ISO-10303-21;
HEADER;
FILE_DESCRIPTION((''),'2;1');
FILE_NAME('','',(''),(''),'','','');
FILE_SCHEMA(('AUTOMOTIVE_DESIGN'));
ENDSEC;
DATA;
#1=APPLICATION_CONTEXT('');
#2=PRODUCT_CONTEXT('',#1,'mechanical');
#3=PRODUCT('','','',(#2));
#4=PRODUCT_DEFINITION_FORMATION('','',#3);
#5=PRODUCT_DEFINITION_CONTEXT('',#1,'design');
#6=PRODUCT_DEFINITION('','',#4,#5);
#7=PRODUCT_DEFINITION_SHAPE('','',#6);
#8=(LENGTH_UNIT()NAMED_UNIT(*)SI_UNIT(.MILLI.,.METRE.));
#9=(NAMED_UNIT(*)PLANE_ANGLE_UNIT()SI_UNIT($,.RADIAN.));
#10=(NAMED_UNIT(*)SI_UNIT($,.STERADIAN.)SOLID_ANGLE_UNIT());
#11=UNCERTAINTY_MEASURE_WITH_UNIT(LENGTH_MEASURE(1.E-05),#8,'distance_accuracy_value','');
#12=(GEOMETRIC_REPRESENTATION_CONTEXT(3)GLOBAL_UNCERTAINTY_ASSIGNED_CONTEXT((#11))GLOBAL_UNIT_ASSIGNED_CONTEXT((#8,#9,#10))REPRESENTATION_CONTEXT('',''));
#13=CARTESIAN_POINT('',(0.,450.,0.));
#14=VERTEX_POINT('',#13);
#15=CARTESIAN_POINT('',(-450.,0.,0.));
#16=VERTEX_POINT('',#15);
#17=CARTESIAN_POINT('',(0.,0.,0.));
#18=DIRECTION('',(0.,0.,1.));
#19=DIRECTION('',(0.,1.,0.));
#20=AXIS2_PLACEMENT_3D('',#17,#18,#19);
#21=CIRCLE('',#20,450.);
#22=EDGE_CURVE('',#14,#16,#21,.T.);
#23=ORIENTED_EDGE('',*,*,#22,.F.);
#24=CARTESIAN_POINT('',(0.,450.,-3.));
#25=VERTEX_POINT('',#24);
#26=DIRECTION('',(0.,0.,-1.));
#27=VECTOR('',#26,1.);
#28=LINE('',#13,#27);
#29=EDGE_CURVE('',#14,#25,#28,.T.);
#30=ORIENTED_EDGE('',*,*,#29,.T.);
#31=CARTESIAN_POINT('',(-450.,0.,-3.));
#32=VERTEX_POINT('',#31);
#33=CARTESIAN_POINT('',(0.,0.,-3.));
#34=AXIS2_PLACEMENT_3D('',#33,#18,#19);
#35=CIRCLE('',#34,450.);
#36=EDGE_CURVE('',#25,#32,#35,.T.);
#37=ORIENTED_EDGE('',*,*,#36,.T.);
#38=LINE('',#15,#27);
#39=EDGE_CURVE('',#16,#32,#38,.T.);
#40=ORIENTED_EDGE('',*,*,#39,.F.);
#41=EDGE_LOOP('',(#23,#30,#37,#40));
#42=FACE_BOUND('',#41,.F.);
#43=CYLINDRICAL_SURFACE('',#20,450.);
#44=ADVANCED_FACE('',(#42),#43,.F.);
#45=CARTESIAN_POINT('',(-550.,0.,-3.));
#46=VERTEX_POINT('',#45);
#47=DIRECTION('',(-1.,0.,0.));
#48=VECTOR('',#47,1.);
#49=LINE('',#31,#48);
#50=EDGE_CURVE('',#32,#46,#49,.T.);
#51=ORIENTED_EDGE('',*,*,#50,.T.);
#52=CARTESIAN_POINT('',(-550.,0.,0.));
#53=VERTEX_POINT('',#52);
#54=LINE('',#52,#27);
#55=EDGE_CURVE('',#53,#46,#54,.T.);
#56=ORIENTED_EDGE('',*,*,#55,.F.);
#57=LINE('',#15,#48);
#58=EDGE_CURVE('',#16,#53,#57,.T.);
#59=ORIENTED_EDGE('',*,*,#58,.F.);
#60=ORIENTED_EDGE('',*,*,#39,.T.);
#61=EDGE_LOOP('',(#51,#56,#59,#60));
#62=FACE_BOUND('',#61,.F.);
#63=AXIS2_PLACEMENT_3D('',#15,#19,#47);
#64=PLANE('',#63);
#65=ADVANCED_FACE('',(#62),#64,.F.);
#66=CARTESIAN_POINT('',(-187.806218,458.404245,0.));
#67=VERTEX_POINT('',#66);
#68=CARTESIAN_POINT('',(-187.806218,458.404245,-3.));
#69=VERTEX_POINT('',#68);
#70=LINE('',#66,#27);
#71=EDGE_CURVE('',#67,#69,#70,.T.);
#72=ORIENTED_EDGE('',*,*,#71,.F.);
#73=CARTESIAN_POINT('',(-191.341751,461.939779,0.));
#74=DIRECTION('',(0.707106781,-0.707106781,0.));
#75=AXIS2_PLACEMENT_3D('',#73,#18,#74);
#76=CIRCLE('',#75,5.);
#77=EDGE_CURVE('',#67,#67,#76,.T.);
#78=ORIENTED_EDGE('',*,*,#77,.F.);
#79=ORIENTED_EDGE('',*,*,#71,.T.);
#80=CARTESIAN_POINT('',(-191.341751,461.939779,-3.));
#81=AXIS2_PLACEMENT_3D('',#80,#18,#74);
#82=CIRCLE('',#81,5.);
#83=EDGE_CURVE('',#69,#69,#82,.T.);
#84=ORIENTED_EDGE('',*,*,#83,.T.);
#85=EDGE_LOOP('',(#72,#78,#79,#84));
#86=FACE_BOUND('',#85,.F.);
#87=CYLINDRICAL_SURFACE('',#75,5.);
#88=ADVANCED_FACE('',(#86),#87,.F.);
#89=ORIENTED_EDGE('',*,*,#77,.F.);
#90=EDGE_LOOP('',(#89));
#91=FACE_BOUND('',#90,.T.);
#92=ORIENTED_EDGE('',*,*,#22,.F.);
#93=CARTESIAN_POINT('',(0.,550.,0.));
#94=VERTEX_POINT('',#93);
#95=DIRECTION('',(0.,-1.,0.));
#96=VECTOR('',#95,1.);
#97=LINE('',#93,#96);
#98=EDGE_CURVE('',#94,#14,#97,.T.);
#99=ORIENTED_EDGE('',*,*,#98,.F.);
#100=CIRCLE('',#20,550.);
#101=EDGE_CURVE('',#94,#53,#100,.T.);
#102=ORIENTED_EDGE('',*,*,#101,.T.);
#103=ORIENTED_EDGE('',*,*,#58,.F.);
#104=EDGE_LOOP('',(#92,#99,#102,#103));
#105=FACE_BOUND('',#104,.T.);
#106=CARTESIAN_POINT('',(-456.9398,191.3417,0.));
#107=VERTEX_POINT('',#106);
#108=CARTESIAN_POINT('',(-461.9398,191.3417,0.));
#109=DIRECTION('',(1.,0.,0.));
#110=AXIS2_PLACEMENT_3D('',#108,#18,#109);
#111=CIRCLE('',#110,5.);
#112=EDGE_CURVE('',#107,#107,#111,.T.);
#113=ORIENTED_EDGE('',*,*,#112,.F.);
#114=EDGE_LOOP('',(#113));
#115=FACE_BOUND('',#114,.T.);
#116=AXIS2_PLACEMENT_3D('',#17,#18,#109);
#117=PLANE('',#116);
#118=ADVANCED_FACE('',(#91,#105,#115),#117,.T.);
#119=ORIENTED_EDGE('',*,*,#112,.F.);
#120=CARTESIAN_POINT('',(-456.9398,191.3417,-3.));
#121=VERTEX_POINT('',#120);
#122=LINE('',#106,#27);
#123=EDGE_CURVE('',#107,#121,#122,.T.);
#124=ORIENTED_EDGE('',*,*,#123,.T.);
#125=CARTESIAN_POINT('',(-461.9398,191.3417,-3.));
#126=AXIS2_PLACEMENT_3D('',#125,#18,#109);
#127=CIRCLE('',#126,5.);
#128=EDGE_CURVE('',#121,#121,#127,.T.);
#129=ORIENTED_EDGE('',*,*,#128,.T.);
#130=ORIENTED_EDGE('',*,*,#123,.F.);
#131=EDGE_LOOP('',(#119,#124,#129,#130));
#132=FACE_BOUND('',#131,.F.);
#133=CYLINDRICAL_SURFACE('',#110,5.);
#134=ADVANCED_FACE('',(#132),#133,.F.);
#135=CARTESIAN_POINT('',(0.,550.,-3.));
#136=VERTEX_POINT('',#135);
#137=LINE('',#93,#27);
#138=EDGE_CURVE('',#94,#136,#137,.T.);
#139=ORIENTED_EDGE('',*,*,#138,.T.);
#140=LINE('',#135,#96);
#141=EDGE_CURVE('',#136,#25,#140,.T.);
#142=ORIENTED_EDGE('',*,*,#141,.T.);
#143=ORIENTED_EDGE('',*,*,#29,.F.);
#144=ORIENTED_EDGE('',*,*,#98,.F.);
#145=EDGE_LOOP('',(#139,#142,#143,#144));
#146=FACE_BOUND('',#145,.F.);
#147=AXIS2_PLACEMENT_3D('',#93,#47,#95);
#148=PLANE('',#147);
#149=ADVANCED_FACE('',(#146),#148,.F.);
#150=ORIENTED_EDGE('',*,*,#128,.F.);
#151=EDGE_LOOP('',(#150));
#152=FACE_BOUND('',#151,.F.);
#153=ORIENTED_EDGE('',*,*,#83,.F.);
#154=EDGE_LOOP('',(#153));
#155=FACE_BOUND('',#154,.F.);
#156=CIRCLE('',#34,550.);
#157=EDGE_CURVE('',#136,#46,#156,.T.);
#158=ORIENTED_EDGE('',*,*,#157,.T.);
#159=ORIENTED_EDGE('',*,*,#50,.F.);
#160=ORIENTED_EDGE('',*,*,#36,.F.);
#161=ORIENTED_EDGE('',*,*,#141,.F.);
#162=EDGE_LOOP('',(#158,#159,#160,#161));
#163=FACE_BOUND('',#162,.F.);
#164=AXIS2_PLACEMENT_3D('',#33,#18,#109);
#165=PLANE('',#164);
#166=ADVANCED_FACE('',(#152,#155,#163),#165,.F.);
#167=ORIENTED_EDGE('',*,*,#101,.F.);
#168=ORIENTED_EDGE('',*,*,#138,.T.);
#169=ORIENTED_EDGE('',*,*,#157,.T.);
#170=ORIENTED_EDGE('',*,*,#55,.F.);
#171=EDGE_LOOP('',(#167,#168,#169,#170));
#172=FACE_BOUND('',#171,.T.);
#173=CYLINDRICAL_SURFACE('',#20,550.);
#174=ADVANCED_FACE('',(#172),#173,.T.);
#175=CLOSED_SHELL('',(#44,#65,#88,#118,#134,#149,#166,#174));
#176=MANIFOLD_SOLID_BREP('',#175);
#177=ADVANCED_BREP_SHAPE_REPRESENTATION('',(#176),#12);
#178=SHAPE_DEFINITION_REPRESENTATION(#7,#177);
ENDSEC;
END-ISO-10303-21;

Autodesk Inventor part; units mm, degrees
ref_plane "YZ Plane" through (0, 0, 0) normal (1, 0, 0) x (0, 1, 0)
ref_plane "XZ Plane" through (0, 0, 0) normal (0, 1, 0) x (-1, 0, 0)
ref_plane "XY Plane" through (0, 0, 0) normal (0, 0, 1) x (1, 0, 0)
sketch "Sketch1" plane through (0, 0, 0) normal (0, 0, 1) x (1, 0, 0)
  arc A0 (0, 550) -> (-550, 0) centre (0, 0) ccw
  arc A1 (0, 450) -> (-450, 0) centre (0, 0) ccw
  line L0 (0, 550) -> (0, 450)
  line L1 (-450, 0) -> (-550, 0)
  point P0 (-500, 0)
  point P1 (0, 500)
  dimension "d0" = 1100
  dimension "d1" = 900
extrude "Plate1" add sketch "Sketch1" against normal blind 3
sketch "Sketch2" plane through (0, 0, 0) normal (0, 0, 1) x (1, 0, 0)
  line L0 (-550, 0) -> (-450, 0) projected
  arc A0 (0, 550) -> (-550, 0) centre (0, 0) ccw projected
  circle A1 centre (-461.9398, 191.3417) radius 5
  arc A2 (0, 450) -> (-450, 0) centre (0, 0) ccw projected
  line L1 (-415.7458, 172.2075) -> (-508.1337, 210.4759) construction
  point P0 (-461.9398, 191.3417)
  dimension "d4" = 10
  dimension "d5" = 22.5
extrude "Cut1" cut sketch "Sketch2" against normal through all
pattern_circular "Circular Pattern1" count 2 over 45 about axis through (0, 0, 0) along (0, 0, -1) of "Cut1"
equation "\"d0\" = Диаметр_вн"
equation "\"d1\" = d0 - 2 * Ширина_кольца"
equation "\"d4\" = Диаметр_отв"
equation "\"d6\" = Thickness"
equation "\"d2\" = Thickness"
equation "\"BendReliefWidth\" = Thickness"
equation "\"BendReliefDepth\" = 0.5 * Thickness"
equation "\"CornerReliefSize\" = 4 * Thickness"
equation "\"MinimumRemnant\" = 2 * Thickness"
equation "\"TransitionRadius\" = BendRadius"
equation "\"JacobiRadiusSize\" = BendRadius"
equation "\"GapSize\" = Thickness"
equation "\"Диаметр_вн\" = 1100"
equation "\"Ширина_кольца\" = 100"
equation "\"Диаметр_отв\" = 10"
equation "\"Thickness\" = 3"
equation "\"BendRadius\" = 5"
properties part number "BSH 501 segment" material "Stainless Steel"
